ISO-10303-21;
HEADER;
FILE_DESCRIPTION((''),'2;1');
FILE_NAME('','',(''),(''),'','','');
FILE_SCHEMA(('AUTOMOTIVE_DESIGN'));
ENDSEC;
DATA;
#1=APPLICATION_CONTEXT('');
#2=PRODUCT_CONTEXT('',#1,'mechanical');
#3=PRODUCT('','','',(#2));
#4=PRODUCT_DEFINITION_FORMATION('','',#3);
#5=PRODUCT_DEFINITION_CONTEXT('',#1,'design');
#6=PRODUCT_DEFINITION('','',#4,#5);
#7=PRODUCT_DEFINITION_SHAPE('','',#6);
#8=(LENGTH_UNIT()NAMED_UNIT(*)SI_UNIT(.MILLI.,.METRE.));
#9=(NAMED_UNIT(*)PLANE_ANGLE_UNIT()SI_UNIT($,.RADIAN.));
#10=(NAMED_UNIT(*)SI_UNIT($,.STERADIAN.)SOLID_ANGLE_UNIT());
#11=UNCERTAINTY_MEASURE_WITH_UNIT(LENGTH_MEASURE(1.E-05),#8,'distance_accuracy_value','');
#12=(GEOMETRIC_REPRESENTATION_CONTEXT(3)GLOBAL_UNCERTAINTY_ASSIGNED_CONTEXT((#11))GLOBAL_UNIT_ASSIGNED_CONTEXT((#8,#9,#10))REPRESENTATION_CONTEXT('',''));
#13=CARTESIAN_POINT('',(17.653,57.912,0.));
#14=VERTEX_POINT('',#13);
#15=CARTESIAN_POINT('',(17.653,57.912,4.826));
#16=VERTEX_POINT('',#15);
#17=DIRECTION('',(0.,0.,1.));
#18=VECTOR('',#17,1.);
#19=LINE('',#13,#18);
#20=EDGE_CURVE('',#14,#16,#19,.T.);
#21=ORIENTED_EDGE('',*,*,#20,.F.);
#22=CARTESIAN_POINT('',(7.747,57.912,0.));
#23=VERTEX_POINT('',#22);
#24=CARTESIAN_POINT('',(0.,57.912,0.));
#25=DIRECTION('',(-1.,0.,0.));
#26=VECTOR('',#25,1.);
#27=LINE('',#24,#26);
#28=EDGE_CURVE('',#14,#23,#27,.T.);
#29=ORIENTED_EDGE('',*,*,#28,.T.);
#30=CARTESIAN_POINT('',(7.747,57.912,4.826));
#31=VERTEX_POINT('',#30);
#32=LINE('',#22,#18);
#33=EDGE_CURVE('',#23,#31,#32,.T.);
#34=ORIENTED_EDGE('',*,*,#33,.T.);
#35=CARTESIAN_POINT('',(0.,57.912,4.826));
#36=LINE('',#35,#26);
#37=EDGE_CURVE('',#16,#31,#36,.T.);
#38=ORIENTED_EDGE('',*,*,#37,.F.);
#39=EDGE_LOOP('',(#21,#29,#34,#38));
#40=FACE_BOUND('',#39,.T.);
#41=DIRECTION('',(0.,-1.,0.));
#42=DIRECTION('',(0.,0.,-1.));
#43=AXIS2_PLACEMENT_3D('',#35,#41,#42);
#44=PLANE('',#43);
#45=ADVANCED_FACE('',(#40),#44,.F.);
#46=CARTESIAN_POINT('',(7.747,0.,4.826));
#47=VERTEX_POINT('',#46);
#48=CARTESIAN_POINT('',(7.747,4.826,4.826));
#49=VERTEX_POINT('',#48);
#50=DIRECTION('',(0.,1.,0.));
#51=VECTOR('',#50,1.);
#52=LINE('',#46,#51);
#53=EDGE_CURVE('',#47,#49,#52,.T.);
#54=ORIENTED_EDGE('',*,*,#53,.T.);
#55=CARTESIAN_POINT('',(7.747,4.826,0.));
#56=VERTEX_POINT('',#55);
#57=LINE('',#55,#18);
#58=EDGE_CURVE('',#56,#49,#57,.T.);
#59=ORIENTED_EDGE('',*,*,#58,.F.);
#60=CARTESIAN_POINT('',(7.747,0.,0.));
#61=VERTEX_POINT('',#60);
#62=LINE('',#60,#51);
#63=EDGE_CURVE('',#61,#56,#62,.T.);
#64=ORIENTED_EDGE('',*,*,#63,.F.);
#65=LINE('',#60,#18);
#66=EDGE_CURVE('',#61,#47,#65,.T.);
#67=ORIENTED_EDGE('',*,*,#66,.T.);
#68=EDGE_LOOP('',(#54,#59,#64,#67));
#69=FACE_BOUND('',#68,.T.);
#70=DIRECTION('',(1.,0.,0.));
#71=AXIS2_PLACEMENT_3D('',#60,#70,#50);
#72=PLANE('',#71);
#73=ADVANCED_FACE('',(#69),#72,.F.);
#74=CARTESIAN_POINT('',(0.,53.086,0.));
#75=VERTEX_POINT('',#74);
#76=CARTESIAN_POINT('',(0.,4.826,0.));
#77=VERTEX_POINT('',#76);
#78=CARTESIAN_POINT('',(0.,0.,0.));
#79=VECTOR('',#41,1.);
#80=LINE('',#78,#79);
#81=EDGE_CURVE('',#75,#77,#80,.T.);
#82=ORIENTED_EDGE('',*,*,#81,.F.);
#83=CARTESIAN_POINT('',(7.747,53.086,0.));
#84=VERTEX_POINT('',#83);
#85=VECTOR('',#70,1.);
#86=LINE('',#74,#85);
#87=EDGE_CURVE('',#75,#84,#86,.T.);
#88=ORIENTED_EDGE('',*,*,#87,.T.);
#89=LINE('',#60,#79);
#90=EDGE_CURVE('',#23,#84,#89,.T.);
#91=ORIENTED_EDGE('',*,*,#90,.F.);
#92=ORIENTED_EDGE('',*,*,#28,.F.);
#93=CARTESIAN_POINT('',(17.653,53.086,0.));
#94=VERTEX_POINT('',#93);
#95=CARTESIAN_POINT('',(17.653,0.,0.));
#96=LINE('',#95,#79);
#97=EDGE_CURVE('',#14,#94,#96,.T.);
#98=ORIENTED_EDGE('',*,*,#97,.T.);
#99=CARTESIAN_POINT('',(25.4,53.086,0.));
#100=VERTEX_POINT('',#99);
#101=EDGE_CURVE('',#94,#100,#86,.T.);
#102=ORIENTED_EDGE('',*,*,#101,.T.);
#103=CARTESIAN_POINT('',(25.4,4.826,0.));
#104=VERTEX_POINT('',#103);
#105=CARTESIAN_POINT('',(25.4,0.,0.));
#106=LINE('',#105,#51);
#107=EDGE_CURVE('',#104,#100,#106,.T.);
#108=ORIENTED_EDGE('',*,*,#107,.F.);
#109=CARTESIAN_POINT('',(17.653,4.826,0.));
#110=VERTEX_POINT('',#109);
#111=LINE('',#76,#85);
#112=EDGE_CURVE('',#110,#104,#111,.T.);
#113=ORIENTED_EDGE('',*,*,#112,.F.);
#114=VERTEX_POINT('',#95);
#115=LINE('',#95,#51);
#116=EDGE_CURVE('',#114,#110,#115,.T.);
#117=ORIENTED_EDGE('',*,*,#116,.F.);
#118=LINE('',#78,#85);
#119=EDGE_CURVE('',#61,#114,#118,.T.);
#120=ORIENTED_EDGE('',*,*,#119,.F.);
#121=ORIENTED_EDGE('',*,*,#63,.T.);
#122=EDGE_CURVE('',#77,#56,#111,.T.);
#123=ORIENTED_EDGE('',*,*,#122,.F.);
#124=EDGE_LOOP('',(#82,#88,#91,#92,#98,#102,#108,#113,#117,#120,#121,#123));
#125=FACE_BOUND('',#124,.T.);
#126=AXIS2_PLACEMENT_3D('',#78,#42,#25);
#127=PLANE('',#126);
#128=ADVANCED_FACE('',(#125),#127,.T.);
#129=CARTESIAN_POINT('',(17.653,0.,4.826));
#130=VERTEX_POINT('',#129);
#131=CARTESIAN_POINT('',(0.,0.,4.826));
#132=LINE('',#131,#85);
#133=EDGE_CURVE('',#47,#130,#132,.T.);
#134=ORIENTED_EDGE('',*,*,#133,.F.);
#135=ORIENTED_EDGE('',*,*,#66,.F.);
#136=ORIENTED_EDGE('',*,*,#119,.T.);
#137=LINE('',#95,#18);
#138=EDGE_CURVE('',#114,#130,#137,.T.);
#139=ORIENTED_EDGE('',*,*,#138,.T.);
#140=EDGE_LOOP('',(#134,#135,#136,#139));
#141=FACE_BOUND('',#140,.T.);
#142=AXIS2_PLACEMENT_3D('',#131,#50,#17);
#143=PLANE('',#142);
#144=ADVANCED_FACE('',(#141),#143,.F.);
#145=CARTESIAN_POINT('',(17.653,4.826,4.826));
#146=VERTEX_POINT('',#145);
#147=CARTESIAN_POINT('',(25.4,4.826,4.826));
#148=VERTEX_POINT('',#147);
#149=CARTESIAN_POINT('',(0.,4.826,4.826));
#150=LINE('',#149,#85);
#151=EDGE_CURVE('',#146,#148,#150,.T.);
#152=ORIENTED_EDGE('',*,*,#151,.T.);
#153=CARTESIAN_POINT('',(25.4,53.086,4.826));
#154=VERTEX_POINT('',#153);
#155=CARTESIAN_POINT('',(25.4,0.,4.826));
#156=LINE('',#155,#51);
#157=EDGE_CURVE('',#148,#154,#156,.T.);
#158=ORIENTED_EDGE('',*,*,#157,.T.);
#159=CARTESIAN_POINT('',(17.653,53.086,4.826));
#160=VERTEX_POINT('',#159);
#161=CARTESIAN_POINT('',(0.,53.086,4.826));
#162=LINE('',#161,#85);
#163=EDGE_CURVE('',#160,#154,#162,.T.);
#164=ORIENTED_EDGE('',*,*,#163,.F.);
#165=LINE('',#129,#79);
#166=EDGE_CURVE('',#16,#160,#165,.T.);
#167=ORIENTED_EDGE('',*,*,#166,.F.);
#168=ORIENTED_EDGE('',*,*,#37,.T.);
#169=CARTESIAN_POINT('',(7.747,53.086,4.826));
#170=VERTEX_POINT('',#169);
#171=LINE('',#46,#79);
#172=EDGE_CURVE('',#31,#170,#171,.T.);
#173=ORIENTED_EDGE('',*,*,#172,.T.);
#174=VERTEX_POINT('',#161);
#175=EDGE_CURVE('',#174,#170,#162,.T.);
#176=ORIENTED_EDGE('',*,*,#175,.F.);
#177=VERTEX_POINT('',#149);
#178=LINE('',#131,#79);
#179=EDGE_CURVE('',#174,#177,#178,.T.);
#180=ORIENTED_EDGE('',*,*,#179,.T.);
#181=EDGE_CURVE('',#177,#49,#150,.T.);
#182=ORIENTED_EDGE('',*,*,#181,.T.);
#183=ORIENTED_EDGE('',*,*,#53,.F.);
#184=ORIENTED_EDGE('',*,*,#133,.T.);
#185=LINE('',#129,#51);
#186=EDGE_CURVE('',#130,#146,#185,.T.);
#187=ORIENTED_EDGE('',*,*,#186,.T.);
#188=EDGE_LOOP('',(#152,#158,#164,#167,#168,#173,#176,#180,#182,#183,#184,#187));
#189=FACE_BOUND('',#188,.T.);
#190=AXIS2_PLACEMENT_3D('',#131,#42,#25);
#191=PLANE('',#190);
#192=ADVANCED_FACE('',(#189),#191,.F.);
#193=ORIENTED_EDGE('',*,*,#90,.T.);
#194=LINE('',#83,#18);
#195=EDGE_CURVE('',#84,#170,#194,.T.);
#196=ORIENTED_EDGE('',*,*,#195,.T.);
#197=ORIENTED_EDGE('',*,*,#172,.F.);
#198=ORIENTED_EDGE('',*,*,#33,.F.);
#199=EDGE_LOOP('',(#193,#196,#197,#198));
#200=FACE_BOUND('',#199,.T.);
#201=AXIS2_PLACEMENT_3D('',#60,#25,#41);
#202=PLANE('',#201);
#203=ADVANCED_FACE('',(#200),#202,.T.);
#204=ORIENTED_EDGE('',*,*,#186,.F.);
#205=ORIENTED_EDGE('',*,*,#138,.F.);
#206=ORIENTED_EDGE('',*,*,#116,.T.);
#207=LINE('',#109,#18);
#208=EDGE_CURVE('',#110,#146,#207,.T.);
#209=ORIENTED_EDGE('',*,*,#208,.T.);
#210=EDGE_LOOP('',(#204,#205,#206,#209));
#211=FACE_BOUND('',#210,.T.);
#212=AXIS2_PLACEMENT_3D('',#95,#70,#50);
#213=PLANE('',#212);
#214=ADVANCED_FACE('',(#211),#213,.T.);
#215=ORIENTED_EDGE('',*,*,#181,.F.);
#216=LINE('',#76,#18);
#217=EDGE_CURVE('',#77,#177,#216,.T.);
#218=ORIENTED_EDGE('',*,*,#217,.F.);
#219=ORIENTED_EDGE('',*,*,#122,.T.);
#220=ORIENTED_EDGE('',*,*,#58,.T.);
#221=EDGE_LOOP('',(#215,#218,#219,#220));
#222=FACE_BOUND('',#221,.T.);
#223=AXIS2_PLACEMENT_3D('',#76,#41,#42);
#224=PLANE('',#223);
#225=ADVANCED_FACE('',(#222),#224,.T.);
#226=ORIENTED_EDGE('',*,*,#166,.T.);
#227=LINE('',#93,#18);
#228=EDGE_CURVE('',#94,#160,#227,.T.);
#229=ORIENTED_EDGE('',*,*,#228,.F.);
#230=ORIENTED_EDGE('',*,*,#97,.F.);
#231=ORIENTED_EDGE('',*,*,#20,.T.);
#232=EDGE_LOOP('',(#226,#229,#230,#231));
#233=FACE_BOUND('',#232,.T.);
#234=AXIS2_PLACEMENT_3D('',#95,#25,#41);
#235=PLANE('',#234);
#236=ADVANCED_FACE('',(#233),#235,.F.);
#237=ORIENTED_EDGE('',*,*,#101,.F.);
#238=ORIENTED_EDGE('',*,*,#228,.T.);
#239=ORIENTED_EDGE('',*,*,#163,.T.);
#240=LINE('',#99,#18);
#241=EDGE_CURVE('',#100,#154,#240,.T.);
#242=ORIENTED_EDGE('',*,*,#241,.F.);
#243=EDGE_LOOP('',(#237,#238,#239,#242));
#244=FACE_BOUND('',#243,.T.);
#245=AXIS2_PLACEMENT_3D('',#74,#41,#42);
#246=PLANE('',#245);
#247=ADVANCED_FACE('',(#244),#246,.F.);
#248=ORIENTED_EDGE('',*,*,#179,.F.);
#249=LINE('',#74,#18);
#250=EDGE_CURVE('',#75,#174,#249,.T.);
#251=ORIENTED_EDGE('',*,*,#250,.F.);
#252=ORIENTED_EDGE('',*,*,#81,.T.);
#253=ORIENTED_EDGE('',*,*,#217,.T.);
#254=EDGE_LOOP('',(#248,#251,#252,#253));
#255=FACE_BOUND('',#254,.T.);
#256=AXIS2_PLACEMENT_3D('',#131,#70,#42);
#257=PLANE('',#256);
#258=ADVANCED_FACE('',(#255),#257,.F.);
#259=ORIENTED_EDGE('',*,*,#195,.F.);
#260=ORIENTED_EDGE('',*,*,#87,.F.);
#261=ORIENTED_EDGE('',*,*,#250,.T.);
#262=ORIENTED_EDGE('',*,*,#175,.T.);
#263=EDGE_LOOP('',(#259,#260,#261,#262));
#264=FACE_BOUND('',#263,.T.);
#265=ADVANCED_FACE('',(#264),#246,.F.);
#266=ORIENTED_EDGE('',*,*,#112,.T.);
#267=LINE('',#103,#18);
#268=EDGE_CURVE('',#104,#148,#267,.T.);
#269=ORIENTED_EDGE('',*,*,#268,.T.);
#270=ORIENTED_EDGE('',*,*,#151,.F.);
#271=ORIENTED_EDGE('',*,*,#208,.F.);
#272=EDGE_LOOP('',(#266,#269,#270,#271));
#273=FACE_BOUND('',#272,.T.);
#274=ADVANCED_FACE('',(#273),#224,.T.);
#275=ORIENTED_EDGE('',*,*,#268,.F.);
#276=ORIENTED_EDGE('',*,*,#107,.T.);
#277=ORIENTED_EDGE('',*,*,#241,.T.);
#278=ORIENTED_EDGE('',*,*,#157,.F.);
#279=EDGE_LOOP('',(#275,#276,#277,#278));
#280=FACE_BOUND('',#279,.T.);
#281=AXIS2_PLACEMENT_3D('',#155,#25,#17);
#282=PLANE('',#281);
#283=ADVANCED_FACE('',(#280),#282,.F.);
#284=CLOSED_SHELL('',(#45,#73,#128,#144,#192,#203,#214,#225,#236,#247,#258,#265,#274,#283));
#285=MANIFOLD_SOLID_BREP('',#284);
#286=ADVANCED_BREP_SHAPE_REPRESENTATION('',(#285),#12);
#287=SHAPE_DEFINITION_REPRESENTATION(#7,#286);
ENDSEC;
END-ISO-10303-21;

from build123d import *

# Parameters (mm, degrees)
SKETCH1_W           = 25.4
SKETCH1_H           = 57.912
BOSS_EXTRUDE1_DEPTH = 4.826
SKETCH2_W           = 7.747
SKETCH2_H           = 4.826
CUT_EXTRUDE1_DEPTH  = 64.421211121


with BuildPart() as part:
    # Sketch1 → Boss-Extrude1 (new body)
    with BuildSketch(Plane.XY):
        with Locations((12.7, 28.956)):
            Rectangle(SKETCH1_W, SKETCH1_H)
    extrude(amount=BOSS_EXTRUDE1_DEPTH)

    # Sketch2 → Cut-Extrude1 (cut, through all)
    with BuildSketch(Plane.XY.offset(4.826)):
        with Locations((21.5265, 55.499)):
            Rectangle(SKETCH2_W, SKETCH2_H)
        with Locations((3.8735, 55.499)):
            Rectangle(SKETCH2_W, SKETCH2_H)
        with Locations((21.5265, 2.413)):
            Rectangle(SKETCH2_W, SKETCH2_H)
        with Locations((3.8735, 2.413)):
            Rectangle(SKETCH2_W, SKETCH2_H)
    extrude(amount=-CUT_EXTRUDE1_DEPTH, mode=Mode.SUBTRACT)


solid = part.part
